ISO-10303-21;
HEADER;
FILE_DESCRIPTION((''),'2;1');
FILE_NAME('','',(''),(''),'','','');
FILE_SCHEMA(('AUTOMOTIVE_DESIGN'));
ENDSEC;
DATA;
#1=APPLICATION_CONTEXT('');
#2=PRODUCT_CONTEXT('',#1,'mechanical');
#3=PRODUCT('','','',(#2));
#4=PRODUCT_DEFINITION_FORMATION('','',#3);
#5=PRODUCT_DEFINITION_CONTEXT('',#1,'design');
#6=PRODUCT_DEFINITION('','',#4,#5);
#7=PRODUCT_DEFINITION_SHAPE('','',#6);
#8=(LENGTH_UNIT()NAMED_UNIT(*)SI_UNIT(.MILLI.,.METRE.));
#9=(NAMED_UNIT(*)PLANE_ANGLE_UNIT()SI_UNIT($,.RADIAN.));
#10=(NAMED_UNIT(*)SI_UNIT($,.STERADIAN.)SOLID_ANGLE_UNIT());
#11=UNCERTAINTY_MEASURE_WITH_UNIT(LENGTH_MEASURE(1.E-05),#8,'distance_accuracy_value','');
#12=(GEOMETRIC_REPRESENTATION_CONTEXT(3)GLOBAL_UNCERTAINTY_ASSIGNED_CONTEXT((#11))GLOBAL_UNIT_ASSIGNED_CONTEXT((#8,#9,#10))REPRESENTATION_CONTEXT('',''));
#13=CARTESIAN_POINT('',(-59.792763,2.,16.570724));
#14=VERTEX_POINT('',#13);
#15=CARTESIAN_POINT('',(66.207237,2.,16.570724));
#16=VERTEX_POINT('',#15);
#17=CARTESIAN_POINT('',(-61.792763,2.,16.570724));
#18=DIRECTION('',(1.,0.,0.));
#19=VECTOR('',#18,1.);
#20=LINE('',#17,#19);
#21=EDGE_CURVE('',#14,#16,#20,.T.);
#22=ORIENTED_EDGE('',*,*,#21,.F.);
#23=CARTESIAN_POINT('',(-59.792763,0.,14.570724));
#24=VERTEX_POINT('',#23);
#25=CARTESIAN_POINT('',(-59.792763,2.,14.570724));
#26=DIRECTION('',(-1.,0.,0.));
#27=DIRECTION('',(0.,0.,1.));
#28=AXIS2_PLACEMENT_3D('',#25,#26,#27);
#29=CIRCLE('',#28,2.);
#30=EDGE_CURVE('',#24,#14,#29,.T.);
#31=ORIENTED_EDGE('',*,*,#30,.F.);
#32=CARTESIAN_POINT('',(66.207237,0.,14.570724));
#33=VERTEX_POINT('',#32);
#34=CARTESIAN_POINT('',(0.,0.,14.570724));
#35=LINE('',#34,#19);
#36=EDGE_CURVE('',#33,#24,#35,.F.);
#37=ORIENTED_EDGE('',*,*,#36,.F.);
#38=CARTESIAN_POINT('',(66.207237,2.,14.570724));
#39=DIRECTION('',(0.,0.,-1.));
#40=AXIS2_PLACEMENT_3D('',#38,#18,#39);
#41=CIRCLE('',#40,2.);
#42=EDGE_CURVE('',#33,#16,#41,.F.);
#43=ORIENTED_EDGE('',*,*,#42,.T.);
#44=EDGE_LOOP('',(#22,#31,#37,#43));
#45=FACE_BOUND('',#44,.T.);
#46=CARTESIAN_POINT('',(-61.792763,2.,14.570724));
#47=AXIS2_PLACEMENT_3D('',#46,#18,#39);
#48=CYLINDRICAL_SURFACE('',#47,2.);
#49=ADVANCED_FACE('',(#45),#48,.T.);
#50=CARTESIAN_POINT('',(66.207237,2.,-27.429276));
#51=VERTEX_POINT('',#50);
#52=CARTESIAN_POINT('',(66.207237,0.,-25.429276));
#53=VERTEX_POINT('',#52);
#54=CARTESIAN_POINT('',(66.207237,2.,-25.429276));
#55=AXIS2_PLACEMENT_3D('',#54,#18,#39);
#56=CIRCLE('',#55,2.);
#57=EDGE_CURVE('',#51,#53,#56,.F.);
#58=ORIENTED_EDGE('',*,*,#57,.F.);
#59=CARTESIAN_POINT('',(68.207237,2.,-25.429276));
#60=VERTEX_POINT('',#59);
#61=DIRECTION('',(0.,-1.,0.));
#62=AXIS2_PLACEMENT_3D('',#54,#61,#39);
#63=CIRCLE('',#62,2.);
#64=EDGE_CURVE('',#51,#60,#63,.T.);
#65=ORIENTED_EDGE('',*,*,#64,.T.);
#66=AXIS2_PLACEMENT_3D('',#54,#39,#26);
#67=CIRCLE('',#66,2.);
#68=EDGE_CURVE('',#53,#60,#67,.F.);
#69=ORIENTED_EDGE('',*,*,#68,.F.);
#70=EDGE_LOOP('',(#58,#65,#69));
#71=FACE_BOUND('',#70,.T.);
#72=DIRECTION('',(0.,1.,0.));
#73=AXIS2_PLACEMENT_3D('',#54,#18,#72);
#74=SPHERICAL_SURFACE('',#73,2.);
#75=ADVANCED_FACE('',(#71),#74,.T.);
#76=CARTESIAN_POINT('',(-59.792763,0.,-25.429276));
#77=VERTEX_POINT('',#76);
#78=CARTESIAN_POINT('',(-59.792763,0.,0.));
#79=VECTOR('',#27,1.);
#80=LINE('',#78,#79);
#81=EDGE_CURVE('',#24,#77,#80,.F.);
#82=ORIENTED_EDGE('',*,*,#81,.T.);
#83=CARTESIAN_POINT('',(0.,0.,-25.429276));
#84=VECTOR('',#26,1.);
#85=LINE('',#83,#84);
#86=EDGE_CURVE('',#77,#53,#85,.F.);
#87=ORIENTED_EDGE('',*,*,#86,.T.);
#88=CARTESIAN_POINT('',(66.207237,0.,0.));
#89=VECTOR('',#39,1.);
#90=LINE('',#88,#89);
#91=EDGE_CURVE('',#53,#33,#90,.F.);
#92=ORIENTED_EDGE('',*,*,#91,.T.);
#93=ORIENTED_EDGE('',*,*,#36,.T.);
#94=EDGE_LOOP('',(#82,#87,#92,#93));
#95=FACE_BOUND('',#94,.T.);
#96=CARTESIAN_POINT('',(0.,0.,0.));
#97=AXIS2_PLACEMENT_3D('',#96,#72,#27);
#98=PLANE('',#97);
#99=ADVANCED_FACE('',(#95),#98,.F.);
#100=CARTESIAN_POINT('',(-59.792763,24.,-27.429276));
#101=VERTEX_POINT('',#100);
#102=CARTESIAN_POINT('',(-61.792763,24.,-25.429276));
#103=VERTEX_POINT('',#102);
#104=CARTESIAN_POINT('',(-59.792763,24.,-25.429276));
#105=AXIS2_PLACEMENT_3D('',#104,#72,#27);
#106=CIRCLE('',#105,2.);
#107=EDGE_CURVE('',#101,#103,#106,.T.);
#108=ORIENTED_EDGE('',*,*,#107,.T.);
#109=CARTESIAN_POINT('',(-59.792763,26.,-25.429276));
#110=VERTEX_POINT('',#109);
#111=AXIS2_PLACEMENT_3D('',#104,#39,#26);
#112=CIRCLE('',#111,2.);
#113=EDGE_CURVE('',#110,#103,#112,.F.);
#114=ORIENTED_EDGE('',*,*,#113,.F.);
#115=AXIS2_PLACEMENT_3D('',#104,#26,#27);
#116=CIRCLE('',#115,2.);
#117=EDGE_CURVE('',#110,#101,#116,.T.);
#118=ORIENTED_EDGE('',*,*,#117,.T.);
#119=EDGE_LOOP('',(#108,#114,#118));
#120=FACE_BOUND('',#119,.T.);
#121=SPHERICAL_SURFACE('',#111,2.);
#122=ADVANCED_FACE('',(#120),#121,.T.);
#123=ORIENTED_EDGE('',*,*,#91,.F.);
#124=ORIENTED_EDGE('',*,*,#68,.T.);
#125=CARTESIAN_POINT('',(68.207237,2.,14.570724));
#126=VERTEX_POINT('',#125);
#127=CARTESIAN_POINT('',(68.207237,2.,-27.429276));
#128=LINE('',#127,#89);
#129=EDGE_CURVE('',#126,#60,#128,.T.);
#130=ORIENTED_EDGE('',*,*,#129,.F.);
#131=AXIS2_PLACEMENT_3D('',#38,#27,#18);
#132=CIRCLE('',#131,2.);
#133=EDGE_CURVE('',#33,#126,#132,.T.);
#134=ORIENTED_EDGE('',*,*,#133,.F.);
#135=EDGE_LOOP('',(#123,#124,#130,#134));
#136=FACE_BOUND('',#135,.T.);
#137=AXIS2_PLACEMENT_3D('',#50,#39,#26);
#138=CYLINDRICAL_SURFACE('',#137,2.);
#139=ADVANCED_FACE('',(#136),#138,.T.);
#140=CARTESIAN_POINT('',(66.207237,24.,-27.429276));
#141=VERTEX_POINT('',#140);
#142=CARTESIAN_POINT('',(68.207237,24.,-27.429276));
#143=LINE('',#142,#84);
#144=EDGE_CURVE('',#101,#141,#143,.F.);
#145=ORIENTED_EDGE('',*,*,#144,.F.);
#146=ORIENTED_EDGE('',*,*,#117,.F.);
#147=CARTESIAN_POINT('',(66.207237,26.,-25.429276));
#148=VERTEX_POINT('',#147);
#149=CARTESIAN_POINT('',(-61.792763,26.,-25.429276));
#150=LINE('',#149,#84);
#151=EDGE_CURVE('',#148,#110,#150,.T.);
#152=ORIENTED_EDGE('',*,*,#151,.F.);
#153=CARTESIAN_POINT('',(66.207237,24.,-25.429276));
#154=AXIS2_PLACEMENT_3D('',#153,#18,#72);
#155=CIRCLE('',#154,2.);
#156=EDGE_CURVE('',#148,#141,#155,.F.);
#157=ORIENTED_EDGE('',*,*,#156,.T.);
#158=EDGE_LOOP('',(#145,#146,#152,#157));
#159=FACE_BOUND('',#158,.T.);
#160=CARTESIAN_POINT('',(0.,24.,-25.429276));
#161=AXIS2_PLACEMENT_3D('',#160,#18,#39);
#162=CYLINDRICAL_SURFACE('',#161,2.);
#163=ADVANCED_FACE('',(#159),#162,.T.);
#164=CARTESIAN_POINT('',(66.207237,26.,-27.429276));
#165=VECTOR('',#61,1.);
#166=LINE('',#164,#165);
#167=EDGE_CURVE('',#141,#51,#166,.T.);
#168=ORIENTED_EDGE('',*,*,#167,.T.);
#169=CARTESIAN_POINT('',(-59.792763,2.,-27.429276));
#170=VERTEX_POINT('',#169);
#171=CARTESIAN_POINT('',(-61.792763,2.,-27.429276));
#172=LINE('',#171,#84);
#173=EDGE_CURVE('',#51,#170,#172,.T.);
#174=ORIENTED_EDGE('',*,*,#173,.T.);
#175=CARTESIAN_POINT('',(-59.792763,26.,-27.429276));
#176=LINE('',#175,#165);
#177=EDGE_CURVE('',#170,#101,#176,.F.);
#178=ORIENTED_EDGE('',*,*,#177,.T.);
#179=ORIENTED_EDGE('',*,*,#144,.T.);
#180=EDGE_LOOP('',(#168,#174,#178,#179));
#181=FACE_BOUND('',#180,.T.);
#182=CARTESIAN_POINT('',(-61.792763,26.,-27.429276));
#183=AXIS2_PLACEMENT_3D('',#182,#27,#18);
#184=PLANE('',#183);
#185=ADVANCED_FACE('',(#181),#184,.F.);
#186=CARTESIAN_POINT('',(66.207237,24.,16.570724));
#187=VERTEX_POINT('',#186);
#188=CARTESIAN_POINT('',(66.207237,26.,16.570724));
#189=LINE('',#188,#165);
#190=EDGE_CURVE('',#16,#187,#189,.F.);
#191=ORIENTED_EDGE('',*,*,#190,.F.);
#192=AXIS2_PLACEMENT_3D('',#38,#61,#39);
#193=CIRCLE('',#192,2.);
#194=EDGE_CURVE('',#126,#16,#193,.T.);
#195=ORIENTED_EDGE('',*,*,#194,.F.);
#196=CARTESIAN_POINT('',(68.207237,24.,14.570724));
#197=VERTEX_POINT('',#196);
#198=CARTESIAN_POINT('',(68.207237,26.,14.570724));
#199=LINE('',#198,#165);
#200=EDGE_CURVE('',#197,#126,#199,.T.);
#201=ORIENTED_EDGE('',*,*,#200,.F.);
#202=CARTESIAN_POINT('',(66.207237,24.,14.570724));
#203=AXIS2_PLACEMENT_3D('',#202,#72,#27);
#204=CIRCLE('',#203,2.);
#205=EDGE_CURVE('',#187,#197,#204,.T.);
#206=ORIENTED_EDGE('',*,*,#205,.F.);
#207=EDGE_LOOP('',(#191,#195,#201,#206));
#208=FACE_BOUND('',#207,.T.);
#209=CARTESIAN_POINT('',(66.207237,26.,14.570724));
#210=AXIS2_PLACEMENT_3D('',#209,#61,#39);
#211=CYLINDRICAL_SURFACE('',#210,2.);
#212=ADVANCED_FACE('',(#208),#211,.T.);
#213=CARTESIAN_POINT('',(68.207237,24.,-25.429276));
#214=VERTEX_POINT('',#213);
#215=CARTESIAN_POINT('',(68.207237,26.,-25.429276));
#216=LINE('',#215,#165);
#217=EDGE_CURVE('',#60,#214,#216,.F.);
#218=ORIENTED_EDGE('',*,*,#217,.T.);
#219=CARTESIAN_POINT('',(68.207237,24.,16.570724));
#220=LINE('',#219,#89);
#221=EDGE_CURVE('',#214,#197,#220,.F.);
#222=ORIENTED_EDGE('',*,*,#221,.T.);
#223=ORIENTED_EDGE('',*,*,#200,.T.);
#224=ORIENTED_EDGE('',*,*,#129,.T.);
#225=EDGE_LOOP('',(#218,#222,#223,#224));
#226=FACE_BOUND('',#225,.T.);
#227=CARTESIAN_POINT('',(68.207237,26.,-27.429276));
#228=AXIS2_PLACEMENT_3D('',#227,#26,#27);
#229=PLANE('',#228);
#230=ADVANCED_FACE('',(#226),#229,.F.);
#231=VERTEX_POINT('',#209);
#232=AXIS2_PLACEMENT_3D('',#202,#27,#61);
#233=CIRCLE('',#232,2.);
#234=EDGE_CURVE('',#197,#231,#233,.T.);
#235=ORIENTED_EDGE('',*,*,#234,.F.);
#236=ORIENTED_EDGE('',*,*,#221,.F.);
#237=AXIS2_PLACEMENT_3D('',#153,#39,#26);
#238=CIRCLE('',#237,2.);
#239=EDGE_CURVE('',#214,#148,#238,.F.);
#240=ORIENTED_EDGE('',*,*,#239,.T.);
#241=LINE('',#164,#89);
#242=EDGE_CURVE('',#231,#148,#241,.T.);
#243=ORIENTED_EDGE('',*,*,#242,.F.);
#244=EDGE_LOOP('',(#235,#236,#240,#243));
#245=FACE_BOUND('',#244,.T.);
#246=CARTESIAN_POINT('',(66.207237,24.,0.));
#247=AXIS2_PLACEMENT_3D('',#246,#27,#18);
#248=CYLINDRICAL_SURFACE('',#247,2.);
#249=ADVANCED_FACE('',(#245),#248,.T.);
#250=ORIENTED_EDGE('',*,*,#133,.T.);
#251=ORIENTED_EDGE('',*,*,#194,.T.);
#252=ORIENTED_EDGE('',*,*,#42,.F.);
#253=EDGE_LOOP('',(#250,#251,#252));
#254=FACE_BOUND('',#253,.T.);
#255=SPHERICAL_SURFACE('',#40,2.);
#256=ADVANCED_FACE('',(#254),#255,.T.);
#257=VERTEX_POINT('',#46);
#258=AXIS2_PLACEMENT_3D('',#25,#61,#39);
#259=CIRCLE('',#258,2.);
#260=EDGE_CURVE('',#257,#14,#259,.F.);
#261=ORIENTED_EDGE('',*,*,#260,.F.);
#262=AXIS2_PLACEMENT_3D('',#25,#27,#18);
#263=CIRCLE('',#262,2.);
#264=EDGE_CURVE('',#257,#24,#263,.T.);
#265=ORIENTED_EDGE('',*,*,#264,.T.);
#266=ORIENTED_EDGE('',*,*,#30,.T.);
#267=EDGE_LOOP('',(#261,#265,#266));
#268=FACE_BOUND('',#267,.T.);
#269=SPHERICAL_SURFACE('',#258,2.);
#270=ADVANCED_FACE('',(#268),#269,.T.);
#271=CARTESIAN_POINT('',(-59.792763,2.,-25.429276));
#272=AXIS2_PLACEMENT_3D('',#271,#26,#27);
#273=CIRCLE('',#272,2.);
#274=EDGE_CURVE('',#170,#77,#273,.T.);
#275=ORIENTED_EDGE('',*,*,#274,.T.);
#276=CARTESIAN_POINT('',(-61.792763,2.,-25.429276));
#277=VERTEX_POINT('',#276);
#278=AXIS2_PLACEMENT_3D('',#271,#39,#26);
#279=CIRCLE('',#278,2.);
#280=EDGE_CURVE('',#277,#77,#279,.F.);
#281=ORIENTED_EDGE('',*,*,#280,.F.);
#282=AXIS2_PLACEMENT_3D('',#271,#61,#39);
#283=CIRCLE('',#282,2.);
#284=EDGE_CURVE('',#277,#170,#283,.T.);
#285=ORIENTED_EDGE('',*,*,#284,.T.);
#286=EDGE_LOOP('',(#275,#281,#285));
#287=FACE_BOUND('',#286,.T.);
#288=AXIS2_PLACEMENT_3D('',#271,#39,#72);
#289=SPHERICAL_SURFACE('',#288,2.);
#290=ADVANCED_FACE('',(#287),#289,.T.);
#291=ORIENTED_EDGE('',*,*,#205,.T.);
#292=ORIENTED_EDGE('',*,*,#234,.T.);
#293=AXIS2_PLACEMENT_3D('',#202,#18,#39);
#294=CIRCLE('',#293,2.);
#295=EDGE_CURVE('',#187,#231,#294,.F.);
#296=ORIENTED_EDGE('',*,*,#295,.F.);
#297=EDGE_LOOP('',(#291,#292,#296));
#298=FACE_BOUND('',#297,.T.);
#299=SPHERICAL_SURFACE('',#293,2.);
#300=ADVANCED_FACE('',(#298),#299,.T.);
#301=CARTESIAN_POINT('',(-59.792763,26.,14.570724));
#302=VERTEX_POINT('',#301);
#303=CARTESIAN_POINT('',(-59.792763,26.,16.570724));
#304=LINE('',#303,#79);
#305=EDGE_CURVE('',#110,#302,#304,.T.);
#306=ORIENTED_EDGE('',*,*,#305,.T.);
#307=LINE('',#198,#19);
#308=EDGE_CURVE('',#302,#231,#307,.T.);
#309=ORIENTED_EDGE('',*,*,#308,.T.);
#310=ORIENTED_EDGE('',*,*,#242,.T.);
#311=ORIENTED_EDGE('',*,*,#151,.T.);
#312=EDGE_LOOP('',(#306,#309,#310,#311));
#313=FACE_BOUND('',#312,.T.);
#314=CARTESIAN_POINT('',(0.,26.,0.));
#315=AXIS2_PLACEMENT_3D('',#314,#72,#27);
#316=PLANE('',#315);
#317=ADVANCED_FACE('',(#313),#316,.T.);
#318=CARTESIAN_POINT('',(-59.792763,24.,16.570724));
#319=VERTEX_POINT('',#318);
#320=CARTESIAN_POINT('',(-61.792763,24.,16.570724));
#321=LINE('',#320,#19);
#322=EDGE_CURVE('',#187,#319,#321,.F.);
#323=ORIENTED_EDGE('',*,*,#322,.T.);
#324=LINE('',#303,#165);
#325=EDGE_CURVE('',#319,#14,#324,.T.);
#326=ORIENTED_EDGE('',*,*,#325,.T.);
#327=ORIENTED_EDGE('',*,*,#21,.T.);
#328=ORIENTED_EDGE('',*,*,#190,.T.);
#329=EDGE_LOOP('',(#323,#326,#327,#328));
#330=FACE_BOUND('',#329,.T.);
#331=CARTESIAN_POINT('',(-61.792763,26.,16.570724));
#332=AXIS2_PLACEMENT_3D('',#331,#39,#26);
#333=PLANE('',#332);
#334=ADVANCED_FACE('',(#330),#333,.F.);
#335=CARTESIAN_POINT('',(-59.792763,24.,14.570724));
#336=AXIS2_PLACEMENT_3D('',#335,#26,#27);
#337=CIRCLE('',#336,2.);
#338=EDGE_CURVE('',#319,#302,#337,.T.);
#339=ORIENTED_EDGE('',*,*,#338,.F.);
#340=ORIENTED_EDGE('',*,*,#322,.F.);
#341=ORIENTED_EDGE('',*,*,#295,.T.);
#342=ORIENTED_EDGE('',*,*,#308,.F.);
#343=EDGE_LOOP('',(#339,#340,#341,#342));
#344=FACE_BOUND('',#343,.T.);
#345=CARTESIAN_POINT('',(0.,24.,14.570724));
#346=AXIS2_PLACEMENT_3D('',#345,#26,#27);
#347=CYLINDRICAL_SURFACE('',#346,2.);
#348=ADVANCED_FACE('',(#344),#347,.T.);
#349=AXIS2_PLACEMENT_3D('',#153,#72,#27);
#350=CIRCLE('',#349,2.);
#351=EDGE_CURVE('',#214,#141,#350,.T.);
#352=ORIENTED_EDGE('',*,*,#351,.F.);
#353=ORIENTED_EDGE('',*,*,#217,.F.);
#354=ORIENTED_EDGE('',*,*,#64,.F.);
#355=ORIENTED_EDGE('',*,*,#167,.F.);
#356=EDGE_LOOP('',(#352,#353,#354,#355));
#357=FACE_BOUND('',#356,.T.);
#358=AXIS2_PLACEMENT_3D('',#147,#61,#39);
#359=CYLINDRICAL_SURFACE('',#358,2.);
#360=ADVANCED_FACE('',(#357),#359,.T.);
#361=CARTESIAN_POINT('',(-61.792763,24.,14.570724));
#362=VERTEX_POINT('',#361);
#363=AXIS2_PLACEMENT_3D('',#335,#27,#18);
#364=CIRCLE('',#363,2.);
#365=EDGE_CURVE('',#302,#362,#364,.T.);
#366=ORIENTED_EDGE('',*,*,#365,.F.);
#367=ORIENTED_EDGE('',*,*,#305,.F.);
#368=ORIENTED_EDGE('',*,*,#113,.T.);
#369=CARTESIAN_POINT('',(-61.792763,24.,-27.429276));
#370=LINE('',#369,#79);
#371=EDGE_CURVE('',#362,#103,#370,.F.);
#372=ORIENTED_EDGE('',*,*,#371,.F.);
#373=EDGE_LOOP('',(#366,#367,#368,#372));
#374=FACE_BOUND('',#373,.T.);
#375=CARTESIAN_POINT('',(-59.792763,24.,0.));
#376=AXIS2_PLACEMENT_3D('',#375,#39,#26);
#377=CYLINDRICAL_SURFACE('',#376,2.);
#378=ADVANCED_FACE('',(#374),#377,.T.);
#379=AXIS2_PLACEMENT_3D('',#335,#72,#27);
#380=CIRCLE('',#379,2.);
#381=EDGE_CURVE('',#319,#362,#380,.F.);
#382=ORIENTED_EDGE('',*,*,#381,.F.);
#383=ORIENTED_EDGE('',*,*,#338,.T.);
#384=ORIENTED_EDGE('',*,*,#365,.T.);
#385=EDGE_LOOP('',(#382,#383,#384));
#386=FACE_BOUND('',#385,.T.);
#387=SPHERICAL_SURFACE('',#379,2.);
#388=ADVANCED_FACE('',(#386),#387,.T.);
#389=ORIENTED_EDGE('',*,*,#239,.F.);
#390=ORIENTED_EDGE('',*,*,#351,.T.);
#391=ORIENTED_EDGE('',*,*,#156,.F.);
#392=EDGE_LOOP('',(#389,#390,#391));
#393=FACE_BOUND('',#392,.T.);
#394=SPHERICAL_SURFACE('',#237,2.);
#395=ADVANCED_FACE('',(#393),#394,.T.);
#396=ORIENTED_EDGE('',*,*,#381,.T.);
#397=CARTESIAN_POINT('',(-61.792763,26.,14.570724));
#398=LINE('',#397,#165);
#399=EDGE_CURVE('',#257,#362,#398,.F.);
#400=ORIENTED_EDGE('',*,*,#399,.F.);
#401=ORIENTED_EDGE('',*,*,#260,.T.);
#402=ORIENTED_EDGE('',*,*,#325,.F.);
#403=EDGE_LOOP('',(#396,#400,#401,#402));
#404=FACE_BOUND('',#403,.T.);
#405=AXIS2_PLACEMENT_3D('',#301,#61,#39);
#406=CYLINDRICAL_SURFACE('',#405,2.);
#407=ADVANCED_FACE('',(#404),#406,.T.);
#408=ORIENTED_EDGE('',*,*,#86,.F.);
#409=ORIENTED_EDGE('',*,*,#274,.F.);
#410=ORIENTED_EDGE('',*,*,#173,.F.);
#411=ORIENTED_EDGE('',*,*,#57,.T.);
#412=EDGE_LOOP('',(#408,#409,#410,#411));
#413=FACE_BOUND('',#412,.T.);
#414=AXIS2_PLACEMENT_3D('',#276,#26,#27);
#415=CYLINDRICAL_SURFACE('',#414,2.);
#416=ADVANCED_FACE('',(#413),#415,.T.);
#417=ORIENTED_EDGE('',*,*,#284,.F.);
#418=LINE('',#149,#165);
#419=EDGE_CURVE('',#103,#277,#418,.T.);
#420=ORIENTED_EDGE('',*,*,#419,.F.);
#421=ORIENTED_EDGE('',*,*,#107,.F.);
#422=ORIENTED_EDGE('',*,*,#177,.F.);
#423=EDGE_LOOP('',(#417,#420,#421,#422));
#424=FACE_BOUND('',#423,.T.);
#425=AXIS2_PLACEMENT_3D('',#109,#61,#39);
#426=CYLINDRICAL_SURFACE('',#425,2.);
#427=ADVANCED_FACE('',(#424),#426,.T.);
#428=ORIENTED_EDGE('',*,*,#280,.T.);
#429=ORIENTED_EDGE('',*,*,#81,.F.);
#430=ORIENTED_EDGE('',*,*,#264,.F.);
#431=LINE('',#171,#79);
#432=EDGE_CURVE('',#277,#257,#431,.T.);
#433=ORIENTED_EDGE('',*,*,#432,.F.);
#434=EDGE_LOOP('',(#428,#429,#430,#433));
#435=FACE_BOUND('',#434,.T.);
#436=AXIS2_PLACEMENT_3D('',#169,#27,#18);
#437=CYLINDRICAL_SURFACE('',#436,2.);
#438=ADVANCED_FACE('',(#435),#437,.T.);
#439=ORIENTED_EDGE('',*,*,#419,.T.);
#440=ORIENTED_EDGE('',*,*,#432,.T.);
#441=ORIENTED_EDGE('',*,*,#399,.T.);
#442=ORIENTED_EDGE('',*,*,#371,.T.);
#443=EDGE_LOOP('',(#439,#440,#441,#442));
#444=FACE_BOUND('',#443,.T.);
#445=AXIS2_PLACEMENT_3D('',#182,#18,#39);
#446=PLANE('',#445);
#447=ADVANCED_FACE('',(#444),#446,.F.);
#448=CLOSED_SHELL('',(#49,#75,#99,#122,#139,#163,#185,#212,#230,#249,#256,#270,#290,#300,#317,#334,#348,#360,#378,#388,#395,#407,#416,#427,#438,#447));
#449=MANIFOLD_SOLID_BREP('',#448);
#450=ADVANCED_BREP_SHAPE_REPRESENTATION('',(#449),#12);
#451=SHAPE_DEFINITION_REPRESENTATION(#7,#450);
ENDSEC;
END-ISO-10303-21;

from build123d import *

# Parameters (mm, degrees)
SKETCH1_W           = 130
SKETCH1_H           = 44
BOSS_EXTRUDE1_DEPTH = 26
FILLET1_R           = 2


with BuildPart() as part:
    # Sketch1 → Boss-Extrude1 (new body)
    with BuildSketch(Plane(origin=(0, 0, 0), x_dir=(1, 0, 0), z_dir=(0, 1, 0))):
        with Locations((3.207236842, 5.429276316)):
            Rectangle(SKETCH1_W, SKETCH1_H)
    extrude(amount=BOSS_EXTRUDE1_DEPTH)

    # Fillet1
    fillet1_edges = [part.edges().sort_by_distance(p)[0] for p in [
        (68.207236842, 26, -5.429276316),
        (3.207236842, 26, -27.429276316),
        (-61.792763158, 26, -5.429276316),
        (3.207236842, 0, -27.429276316),
        (68.207236842, 0, -5.429276316),
        (3.207236842, 0, 16.570723684),
        (-61.792763158, 0, -5.429276316),
        (-61.792763158, 13, -27.429276316),
        (68.207236842, 13, -27.429276316),
        (68.207236842, 13, 16.570723684),
        (-61.792763158, 13, 16.570723684),
        (3.207236842, 26, 16.570723684),
    ]]
    fillet(fillet1_edges, radius=FILLET1_R)


solid = part.part
